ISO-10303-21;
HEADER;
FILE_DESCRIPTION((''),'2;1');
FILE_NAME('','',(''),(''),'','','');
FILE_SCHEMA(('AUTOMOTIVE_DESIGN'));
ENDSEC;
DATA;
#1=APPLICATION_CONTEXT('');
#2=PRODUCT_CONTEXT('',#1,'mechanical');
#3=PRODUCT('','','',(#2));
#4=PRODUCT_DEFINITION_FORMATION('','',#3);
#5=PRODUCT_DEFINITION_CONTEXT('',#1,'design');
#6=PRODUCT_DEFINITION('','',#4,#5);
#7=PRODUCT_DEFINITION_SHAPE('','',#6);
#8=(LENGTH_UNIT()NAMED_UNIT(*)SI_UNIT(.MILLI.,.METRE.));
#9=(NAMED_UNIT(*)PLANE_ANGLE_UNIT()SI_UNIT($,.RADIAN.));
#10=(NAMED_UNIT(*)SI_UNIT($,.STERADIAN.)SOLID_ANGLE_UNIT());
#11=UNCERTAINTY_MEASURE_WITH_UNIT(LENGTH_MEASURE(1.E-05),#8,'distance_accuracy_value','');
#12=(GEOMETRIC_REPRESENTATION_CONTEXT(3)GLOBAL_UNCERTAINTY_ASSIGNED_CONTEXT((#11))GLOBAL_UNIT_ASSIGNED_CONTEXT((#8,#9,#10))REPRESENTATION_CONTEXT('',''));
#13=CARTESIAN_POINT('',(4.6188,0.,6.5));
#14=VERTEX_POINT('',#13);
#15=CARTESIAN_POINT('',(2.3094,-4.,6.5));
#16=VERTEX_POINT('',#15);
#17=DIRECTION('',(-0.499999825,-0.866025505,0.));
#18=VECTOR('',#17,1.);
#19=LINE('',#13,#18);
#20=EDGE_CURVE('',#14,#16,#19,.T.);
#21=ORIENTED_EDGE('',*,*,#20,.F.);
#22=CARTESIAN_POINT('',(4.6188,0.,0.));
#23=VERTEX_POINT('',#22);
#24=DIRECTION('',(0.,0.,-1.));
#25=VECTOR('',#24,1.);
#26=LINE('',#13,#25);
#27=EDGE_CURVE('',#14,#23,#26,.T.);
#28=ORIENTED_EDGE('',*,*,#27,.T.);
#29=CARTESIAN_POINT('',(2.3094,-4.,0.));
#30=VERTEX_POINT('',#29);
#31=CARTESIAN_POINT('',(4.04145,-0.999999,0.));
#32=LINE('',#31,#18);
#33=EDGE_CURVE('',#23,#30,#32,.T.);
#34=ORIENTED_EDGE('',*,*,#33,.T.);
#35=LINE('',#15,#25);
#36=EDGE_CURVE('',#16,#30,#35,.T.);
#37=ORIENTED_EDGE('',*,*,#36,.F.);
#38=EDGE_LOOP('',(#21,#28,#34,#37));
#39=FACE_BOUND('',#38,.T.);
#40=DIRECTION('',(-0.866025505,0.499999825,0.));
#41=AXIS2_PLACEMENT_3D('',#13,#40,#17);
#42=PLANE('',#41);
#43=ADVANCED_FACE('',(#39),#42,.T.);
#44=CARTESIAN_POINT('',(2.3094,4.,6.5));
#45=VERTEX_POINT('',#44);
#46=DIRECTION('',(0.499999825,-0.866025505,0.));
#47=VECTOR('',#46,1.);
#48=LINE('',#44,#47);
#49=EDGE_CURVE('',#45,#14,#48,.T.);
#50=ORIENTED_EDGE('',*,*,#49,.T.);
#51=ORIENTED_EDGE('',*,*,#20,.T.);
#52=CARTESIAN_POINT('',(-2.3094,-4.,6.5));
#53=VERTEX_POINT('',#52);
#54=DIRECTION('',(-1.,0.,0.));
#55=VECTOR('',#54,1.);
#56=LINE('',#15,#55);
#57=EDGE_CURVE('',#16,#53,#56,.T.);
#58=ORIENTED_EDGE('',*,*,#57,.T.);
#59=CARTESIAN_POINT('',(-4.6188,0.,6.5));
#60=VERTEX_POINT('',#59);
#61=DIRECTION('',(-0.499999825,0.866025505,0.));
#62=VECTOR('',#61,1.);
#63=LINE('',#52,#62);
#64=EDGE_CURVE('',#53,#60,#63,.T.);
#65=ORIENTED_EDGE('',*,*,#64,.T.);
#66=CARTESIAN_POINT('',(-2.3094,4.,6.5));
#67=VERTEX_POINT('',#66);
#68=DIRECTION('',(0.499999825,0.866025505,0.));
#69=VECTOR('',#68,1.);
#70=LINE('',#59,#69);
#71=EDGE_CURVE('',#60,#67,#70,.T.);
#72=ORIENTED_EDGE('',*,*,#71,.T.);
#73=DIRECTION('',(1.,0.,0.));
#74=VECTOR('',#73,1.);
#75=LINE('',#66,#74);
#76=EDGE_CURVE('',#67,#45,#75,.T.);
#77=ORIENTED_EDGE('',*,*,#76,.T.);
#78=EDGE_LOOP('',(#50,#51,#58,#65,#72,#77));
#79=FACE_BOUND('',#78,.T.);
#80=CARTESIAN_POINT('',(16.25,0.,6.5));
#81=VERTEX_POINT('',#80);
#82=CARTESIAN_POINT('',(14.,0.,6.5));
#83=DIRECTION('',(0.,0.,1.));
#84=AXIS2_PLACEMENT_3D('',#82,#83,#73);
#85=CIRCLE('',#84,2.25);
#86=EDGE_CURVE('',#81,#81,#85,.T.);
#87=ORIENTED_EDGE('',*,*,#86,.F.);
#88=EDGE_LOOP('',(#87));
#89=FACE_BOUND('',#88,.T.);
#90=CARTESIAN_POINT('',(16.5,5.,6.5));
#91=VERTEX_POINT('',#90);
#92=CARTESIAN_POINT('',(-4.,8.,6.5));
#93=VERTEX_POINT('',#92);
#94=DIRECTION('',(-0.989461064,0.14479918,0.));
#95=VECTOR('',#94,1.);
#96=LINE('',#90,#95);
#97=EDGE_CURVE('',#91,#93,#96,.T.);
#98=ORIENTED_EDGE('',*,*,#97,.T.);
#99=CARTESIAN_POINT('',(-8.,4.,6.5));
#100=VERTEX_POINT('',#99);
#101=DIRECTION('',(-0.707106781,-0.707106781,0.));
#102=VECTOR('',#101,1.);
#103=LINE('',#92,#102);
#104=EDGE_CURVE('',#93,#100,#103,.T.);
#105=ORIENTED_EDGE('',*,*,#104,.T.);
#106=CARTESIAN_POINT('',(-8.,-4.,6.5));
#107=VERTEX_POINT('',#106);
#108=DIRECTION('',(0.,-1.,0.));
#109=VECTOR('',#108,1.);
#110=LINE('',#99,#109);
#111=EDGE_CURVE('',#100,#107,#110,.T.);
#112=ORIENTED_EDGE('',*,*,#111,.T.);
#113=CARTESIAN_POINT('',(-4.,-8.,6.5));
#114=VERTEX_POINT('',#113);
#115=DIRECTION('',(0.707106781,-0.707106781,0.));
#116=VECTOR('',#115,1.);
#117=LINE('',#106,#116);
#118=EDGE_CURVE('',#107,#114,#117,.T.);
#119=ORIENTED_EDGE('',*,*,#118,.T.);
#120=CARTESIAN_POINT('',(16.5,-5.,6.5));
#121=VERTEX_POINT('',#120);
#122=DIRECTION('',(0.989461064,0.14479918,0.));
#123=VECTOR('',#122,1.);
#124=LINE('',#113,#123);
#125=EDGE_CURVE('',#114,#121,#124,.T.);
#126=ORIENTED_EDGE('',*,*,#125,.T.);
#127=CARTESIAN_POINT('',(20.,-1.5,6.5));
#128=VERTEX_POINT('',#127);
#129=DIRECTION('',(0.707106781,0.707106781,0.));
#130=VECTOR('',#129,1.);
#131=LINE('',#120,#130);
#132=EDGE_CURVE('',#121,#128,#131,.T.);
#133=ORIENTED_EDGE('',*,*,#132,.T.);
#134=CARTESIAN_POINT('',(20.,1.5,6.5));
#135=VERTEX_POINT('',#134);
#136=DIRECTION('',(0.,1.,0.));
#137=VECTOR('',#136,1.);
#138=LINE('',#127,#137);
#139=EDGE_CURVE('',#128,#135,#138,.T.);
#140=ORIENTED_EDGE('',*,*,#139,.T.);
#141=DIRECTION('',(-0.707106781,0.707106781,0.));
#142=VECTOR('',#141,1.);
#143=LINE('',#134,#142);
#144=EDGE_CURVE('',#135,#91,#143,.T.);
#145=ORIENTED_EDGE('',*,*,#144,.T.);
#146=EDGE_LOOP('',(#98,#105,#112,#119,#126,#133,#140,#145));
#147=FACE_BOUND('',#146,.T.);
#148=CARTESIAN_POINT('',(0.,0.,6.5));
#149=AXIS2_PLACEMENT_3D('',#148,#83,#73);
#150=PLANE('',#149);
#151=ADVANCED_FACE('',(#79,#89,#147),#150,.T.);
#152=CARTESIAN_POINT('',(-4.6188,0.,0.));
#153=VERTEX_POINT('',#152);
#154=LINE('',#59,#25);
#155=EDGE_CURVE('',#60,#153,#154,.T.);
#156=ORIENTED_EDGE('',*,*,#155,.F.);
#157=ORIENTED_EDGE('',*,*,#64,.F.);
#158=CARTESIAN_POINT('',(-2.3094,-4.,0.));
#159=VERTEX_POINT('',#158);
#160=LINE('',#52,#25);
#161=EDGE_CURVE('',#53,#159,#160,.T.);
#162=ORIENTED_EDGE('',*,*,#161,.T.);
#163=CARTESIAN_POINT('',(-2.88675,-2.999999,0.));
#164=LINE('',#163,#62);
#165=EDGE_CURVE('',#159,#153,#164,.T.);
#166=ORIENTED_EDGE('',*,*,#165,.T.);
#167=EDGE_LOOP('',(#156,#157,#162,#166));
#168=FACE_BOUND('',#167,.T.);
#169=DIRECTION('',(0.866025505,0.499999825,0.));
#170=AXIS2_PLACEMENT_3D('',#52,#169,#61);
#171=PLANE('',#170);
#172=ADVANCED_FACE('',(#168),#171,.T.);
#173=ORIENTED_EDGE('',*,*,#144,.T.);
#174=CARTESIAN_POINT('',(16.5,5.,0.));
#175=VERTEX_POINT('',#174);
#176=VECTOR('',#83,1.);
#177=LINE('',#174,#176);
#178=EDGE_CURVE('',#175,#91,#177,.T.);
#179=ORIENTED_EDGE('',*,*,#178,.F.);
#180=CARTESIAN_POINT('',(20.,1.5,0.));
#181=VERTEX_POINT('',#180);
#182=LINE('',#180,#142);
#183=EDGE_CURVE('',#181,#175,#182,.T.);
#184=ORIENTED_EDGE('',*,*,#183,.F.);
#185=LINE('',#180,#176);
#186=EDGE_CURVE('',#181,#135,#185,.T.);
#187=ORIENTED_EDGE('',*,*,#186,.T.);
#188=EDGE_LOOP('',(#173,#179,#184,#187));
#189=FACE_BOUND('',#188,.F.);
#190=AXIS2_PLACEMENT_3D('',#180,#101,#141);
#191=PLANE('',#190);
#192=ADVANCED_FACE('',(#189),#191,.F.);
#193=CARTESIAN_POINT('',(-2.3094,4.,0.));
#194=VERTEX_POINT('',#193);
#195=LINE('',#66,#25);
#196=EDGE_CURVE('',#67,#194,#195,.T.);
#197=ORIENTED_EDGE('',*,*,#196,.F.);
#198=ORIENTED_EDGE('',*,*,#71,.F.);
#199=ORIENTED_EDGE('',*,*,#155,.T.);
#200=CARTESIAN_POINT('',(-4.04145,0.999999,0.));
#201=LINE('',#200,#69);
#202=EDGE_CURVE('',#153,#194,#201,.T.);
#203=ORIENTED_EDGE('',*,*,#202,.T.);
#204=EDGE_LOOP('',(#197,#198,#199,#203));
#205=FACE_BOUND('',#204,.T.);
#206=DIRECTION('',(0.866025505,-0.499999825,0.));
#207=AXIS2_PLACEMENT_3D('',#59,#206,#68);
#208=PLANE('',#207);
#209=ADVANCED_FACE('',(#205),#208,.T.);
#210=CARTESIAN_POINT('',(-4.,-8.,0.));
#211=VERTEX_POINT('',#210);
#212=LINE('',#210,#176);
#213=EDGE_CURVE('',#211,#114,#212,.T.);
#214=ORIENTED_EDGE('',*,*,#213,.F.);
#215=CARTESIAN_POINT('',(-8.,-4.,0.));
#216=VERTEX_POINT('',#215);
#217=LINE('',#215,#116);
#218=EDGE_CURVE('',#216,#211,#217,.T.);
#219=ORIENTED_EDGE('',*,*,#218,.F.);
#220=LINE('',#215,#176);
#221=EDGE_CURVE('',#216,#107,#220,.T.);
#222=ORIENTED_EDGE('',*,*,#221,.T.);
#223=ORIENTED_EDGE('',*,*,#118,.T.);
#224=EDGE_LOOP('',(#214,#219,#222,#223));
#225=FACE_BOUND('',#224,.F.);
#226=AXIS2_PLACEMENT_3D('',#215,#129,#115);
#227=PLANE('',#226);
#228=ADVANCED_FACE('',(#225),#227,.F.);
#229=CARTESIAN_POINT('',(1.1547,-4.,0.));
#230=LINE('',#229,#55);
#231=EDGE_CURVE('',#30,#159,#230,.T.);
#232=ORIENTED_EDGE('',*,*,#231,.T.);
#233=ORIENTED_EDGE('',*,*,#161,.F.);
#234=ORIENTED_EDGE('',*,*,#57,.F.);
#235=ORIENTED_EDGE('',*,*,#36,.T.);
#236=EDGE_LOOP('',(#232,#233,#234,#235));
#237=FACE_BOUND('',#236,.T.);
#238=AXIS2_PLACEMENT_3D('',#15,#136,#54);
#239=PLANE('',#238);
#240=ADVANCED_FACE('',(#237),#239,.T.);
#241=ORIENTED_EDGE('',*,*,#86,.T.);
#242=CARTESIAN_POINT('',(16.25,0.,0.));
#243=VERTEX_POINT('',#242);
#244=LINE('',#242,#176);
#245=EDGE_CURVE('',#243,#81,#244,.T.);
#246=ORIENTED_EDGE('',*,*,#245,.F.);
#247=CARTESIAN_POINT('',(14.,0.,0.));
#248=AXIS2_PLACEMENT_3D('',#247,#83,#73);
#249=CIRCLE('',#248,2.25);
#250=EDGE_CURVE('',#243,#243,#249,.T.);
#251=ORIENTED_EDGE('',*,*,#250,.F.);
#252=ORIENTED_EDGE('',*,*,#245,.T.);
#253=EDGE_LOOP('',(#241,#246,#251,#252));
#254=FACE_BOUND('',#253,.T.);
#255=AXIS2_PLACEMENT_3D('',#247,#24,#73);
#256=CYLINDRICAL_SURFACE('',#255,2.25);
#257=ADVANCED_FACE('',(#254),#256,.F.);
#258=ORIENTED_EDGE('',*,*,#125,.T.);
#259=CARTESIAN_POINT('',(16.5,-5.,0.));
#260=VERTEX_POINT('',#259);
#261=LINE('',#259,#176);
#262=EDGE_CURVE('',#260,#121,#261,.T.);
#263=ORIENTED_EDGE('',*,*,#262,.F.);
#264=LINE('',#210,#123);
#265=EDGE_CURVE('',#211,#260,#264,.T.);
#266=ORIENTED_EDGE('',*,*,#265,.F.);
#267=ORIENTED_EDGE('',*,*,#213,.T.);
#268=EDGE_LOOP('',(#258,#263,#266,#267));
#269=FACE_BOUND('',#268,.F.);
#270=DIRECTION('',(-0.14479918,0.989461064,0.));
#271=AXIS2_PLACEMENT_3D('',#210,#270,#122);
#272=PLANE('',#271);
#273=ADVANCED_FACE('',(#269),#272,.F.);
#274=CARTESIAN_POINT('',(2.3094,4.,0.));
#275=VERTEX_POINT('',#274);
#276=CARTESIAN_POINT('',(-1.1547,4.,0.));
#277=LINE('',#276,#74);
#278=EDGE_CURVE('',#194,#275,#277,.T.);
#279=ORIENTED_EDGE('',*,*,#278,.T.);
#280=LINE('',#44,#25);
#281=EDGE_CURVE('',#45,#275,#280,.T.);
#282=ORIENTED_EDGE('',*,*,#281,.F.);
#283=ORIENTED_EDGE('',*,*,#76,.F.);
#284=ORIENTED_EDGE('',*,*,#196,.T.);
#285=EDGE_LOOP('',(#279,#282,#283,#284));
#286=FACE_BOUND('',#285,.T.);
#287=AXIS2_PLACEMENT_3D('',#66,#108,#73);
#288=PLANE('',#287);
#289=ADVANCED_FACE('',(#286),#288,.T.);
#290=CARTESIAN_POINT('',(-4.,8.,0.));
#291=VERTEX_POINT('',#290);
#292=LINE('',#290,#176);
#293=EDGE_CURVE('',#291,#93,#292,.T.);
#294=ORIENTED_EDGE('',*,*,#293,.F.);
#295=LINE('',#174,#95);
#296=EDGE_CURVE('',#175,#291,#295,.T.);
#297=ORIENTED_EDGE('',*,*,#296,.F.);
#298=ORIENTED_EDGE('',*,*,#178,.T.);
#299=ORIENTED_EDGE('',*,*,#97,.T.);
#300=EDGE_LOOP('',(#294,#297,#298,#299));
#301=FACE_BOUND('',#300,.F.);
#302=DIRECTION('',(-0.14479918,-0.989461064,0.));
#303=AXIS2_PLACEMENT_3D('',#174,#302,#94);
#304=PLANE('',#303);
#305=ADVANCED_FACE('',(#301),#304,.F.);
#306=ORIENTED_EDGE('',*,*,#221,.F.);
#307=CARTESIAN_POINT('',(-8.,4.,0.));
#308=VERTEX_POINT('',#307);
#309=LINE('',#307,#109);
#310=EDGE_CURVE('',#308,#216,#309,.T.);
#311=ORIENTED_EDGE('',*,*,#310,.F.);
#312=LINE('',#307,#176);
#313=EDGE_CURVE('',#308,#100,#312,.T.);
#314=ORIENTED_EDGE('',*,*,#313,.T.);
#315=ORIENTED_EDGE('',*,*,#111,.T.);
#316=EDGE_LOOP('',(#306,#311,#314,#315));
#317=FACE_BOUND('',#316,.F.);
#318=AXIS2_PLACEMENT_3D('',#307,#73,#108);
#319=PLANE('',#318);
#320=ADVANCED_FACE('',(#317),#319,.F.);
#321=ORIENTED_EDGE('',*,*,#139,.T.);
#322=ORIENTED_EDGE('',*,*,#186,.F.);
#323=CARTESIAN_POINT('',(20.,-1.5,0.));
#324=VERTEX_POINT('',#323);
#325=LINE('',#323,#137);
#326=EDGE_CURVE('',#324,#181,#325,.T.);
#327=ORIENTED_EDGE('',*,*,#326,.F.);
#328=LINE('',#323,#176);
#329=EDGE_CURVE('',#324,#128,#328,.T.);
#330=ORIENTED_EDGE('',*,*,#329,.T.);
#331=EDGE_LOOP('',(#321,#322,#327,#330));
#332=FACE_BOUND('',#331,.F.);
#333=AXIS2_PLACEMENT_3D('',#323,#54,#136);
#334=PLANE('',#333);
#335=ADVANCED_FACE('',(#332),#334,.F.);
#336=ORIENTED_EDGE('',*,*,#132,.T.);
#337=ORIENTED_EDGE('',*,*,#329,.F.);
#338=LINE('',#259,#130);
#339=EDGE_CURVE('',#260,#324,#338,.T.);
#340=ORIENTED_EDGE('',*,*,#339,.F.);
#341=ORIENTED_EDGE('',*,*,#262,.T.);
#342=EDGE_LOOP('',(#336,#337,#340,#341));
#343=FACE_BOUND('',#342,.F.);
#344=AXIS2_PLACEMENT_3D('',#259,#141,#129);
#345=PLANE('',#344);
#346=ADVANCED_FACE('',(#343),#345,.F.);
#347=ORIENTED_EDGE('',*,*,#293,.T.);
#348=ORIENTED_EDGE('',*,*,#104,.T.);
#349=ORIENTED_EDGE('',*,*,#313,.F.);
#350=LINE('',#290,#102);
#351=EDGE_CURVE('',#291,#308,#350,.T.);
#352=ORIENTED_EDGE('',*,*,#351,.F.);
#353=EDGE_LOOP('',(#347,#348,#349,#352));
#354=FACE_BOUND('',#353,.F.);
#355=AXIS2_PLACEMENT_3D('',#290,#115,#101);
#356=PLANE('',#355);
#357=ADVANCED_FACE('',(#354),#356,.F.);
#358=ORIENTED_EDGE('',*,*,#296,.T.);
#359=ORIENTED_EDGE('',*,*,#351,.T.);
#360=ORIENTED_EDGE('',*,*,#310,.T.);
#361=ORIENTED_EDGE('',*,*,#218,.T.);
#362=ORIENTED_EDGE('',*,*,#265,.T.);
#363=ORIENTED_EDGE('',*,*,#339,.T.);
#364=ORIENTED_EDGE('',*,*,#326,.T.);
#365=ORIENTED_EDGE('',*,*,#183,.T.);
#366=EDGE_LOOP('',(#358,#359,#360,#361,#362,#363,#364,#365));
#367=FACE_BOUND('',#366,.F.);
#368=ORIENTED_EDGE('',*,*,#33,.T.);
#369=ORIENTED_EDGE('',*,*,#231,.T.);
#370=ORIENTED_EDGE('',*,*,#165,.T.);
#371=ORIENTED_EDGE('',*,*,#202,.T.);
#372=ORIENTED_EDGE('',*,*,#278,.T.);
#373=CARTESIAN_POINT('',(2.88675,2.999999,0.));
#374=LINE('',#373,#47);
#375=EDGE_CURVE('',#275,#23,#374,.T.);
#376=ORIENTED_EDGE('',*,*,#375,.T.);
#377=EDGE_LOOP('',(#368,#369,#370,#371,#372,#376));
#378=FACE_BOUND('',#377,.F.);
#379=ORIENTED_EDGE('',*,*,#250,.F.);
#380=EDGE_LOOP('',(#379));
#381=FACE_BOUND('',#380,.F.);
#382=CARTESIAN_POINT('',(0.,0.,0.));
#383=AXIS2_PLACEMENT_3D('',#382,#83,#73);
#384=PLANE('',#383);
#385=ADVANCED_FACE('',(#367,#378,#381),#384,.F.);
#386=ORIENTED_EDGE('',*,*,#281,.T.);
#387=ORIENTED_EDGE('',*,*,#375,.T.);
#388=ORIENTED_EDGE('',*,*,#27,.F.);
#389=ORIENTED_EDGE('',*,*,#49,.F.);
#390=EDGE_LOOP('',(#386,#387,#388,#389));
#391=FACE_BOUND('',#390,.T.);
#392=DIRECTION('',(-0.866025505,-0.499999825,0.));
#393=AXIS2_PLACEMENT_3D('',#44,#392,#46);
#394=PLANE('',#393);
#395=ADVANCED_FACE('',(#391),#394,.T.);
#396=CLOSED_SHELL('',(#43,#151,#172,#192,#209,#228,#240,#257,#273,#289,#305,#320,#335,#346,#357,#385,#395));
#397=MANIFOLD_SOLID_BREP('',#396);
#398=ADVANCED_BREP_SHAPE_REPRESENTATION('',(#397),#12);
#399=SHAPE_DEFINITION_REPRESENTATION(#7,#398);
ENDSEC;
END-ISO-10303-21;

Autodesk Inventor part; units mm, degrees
ref_plane "YZ Plane" through (0, 0, 0) normal (1, 0, 0) x (0, 1, 0)
ref_plane "XZ Plane" through (0, 0, 0) normal (0, 1, 0) x (-1, 0, 0)
ref_plane "XY Plane" through (0, 0, 0) normal (0, 0, 1) x (1, 0, 0)
sketch "Sketch1" plane through (0, 0, 0) normal (0, 0, 1) x (1, 0, 0)
  line L0 (-4, -8) -> (16.5, -5)
  line L1 (20, -1.5) -> (20, 1.5)
  line L2 (16.5, 5) -> (-4, 8)
  line L3 (-8, 4) -> (-8, -4)
  line L4 (-4, 8) -> (-8, 4)
  line L5 (-8, -4) -> (-4, -8)
  line L6 (16.5, -5) -> (20, -1.5)
  line L7 (20, 1.5) -> (16.5, 5)
  circle A0 centre (0, 0) radius 2.75
  circle A1 centre (14, 0) radius 2.25
  circle A2 centre (0, 0) radius 5 construction
  circle A3 centre (14, 0) radius 4.5 construction
  point P0 (-8, 0)
  point P1 (20, 0)
  dimension "d9" = 8
  dimension "d10" = 14
  dimension "d11" = 4.5
  dimension "d12" = 5.5
  dimension "d13" = 6
  dimension "d16" = 10
  dimension "d17" = 9
  dimension "d18" = 8
  dimension "d19" = 4
  dimension "d20" = 4
  dimension "d21" = 4
  dimension "d22" = 10
  dimension "d23" = 3
extrude "Extrusion1" add sketch "Sketch1" along normal blind 6.5
sketch "Sketch2" plane through (0, 0, 6.5) normal (0, 0, 1) x (1, 0, 0)
  circle A0 centre (0, 0) radius 2.75 projected
  line L0 (-8, 4) -> (-8, -4) projected
  line L1 (4.6188, 0) -> (2.3094, -4)
  line L2 (2.3094, -4) -> (-2.3094, -4)
  line L3 (-2.3094, -4) -> (-4.6188, 0)
  line L4 (-4.6188, 0) -> (-2.3094, 4)
  line L5 (-2.3094, 4) -> (2.3094, 4)
  line L6 (2.3094, 4) -> (4.6188, 0)
  dimension "d24" = 8
extrude "Extrusion2" cut sketch "Sketch2" against normal through all
properties part number "y_carriage_nut_holder_a" material "Plywood, Finish"
